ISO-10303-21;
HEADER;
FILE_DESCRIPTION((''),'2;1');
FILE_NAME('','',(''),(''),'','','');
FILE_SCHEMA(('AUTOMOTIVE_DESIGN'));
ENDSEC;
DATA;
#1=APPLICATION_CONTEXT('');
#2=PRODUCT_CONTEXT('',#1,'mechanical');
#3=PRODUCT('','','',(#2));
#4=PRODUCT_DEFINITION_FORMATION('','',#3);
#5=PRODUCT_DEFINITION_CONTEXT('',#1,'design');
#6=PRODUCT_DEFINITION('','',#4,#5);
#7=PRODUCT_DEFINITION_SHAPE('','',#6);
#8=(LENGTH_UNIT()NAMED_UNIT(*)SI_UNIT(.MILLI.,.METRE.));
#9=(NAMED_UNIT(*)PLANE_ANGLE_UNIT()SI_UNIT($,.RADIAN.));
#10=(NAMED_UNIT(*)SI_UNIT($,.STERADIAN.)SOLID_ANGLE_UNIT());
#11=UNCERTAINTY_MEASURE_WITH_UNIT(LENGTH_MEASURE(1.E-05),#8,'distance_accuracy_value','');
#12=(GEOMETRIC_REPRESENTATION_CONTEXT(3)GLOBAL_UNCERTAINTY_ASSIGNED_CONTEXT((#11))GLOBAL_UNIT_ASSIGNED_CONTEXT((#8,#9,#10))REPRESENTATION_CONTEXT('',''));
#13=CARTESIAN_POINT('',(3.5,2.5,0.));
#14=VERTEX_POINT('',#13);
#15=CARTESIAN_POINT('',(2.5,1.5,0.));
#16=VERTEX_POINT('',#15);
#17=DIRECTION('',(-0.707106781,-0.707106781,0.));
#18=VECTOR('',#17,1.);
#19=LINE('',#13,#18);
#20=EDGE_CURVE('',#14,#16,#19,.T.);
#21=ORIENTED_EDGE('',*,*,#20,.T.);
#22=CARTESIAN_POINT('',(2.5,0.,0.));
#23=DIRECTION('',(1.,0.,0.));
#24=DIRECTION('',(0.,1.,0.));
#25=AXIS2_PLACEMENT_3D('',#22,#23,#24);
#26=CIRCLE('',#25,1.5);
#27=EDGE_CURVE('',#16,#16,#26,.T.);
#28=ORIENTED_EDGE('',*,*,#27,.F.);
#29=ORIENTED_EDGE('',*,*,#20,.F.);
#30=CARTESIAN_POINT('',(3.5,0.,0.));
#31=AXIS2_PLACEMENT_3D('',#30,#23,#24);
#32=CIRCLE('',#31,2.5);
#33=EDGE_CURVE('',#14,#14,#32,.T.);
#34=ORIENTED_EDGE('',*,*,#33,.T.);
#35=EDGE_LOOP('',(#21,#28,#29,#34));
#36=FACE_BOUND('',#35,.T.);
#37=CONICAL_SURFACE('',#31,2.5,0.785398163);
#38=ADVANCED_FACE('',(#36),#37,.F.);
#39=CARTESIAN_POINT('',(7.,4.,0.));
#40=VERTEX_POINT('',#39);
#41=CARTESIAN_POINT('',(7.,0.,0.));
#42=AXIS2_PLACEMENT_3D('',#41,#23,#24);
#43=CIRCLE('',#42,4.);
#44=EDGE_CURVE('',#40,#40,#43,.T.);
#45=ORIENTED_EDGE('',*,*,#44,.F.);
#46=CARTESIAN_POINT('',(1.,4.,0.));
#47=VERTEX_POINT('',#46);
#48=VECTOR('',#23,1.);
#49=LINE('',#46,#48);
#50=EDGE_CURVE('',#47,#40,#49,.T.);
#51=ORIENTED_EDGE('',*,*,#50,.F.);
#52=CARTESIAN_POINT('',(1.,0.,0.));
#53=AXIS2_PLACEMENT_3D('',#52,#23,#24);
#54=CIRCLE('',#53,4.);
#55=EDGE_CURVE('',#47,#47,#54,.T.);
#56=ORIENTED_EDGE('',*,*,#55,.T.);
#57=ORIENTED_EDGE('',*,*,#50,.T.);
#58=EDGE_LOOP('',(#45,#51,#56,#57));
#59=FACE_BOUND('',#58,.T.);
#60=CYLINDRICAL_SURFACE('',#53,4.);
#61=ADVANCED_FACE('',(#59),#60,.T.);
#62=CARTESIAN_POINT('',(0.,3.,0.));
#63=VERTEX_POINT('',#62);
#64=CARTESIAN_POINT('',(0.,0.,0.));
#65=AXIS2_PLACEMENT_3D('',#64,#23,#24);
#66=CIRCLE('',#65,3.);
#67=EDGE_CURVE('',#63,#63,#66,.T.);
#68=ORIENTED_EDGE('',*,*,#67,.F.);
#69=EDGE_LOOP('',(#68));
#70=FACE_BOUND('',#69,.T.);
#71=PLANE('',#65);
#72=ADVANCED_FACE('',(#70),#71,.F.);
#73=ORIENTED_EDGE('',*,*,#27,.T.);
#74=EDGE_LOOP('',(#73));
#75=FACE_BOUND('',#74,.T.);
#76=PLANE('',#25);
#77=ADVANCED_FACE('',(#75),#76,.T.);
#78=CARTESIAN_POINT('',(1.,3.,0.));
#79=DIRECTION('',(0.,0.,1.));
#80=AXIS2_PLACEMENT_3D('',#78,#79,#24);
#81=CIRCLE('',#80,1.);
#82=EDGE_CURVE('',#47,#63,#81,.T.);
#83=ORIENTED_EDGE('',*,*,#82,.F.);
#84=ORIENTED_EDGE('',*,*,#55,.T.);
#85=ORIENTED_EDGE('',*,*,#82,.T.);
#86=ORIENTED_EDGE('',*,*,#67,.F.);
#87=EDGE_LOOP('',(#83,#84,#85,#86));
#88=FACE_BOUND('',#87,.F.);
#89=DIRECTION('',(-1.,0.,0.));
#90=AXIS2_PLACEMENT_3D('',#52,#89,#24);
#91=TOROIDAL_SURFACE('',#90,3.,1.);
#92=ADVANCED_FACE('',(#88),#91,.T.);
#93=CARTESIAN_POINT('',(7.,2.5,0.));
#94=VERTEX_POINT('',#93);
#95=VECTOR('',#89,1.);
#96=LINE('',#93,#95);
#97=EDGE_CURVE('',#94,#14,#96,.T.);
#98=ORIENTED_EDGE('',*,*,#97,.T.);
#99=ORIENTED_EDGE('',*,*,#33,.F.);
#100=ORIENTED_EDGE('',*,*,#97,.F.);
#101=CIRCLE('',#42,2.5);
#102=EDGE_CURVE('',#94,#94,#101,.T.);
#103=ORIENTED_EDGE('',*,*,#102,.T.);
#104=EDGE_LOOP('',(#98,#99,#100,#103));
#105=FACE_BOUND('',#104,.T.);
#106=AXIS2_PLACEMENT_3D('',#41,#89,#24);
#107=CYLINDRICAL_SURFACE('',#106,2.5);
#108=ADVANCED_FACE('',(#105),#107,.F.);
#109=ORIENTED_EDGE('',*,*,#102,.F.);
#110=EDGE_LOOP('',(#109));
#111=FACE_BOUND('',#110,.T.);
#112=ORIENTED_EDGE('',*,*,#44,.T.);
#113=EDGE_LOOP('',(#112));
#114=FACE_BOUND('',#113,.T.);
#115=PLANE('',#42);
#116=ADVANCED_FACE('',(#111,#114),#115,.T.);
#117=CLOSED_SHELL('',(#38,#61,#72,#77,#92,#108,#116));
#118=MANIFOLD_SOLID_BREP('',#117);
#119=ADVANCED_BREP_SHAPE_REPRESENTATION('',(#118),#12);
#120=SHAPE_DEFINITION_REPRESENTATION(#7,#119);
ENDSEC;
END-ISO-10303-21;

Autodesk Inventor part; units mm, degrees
sketch "Sketch_1" plane through (0, 0, 0) normal (0, 0, 1) x (1, 0, 0)
  line L0 (12, 0) -> (0, 0)
  line L1 (0, 0) -> (0, 3)
  arc A0 (1, 4) -> (0, 3) centre (1, 3) ccw
  line L2 (1, 4) -> (7, 4)
  line L3 (7, 4) -> (7, 2.5)
  line L4 (7, 2.5) -> (3.5, 2.5)
  line L5 (3.5, 2.5) -> (2.5, 1.5)
  line L6 (2.5, 1.5) -> (2.5, 0)
  line L7 (2.5, 0) -> (0, 0)
revolve "Revolution1" add sketch "Sketch_1" angle 360 about axis through (12, 0, 0) along (1, 0, 0)
ref_plane "pusher_XY" through (7, 0, 0) normal (1, 0, 0) x (0, 0, -1)
ref_plane "pusher_YZ" through (7, 0, 0) normal (0, 0, -1) x (0, 1, 0)
ref_plane "pusher_ZX" through (7, 0, 0) normal (0, 1, 0) x (1, 0, 0)
properties part number "URLM8_p"
